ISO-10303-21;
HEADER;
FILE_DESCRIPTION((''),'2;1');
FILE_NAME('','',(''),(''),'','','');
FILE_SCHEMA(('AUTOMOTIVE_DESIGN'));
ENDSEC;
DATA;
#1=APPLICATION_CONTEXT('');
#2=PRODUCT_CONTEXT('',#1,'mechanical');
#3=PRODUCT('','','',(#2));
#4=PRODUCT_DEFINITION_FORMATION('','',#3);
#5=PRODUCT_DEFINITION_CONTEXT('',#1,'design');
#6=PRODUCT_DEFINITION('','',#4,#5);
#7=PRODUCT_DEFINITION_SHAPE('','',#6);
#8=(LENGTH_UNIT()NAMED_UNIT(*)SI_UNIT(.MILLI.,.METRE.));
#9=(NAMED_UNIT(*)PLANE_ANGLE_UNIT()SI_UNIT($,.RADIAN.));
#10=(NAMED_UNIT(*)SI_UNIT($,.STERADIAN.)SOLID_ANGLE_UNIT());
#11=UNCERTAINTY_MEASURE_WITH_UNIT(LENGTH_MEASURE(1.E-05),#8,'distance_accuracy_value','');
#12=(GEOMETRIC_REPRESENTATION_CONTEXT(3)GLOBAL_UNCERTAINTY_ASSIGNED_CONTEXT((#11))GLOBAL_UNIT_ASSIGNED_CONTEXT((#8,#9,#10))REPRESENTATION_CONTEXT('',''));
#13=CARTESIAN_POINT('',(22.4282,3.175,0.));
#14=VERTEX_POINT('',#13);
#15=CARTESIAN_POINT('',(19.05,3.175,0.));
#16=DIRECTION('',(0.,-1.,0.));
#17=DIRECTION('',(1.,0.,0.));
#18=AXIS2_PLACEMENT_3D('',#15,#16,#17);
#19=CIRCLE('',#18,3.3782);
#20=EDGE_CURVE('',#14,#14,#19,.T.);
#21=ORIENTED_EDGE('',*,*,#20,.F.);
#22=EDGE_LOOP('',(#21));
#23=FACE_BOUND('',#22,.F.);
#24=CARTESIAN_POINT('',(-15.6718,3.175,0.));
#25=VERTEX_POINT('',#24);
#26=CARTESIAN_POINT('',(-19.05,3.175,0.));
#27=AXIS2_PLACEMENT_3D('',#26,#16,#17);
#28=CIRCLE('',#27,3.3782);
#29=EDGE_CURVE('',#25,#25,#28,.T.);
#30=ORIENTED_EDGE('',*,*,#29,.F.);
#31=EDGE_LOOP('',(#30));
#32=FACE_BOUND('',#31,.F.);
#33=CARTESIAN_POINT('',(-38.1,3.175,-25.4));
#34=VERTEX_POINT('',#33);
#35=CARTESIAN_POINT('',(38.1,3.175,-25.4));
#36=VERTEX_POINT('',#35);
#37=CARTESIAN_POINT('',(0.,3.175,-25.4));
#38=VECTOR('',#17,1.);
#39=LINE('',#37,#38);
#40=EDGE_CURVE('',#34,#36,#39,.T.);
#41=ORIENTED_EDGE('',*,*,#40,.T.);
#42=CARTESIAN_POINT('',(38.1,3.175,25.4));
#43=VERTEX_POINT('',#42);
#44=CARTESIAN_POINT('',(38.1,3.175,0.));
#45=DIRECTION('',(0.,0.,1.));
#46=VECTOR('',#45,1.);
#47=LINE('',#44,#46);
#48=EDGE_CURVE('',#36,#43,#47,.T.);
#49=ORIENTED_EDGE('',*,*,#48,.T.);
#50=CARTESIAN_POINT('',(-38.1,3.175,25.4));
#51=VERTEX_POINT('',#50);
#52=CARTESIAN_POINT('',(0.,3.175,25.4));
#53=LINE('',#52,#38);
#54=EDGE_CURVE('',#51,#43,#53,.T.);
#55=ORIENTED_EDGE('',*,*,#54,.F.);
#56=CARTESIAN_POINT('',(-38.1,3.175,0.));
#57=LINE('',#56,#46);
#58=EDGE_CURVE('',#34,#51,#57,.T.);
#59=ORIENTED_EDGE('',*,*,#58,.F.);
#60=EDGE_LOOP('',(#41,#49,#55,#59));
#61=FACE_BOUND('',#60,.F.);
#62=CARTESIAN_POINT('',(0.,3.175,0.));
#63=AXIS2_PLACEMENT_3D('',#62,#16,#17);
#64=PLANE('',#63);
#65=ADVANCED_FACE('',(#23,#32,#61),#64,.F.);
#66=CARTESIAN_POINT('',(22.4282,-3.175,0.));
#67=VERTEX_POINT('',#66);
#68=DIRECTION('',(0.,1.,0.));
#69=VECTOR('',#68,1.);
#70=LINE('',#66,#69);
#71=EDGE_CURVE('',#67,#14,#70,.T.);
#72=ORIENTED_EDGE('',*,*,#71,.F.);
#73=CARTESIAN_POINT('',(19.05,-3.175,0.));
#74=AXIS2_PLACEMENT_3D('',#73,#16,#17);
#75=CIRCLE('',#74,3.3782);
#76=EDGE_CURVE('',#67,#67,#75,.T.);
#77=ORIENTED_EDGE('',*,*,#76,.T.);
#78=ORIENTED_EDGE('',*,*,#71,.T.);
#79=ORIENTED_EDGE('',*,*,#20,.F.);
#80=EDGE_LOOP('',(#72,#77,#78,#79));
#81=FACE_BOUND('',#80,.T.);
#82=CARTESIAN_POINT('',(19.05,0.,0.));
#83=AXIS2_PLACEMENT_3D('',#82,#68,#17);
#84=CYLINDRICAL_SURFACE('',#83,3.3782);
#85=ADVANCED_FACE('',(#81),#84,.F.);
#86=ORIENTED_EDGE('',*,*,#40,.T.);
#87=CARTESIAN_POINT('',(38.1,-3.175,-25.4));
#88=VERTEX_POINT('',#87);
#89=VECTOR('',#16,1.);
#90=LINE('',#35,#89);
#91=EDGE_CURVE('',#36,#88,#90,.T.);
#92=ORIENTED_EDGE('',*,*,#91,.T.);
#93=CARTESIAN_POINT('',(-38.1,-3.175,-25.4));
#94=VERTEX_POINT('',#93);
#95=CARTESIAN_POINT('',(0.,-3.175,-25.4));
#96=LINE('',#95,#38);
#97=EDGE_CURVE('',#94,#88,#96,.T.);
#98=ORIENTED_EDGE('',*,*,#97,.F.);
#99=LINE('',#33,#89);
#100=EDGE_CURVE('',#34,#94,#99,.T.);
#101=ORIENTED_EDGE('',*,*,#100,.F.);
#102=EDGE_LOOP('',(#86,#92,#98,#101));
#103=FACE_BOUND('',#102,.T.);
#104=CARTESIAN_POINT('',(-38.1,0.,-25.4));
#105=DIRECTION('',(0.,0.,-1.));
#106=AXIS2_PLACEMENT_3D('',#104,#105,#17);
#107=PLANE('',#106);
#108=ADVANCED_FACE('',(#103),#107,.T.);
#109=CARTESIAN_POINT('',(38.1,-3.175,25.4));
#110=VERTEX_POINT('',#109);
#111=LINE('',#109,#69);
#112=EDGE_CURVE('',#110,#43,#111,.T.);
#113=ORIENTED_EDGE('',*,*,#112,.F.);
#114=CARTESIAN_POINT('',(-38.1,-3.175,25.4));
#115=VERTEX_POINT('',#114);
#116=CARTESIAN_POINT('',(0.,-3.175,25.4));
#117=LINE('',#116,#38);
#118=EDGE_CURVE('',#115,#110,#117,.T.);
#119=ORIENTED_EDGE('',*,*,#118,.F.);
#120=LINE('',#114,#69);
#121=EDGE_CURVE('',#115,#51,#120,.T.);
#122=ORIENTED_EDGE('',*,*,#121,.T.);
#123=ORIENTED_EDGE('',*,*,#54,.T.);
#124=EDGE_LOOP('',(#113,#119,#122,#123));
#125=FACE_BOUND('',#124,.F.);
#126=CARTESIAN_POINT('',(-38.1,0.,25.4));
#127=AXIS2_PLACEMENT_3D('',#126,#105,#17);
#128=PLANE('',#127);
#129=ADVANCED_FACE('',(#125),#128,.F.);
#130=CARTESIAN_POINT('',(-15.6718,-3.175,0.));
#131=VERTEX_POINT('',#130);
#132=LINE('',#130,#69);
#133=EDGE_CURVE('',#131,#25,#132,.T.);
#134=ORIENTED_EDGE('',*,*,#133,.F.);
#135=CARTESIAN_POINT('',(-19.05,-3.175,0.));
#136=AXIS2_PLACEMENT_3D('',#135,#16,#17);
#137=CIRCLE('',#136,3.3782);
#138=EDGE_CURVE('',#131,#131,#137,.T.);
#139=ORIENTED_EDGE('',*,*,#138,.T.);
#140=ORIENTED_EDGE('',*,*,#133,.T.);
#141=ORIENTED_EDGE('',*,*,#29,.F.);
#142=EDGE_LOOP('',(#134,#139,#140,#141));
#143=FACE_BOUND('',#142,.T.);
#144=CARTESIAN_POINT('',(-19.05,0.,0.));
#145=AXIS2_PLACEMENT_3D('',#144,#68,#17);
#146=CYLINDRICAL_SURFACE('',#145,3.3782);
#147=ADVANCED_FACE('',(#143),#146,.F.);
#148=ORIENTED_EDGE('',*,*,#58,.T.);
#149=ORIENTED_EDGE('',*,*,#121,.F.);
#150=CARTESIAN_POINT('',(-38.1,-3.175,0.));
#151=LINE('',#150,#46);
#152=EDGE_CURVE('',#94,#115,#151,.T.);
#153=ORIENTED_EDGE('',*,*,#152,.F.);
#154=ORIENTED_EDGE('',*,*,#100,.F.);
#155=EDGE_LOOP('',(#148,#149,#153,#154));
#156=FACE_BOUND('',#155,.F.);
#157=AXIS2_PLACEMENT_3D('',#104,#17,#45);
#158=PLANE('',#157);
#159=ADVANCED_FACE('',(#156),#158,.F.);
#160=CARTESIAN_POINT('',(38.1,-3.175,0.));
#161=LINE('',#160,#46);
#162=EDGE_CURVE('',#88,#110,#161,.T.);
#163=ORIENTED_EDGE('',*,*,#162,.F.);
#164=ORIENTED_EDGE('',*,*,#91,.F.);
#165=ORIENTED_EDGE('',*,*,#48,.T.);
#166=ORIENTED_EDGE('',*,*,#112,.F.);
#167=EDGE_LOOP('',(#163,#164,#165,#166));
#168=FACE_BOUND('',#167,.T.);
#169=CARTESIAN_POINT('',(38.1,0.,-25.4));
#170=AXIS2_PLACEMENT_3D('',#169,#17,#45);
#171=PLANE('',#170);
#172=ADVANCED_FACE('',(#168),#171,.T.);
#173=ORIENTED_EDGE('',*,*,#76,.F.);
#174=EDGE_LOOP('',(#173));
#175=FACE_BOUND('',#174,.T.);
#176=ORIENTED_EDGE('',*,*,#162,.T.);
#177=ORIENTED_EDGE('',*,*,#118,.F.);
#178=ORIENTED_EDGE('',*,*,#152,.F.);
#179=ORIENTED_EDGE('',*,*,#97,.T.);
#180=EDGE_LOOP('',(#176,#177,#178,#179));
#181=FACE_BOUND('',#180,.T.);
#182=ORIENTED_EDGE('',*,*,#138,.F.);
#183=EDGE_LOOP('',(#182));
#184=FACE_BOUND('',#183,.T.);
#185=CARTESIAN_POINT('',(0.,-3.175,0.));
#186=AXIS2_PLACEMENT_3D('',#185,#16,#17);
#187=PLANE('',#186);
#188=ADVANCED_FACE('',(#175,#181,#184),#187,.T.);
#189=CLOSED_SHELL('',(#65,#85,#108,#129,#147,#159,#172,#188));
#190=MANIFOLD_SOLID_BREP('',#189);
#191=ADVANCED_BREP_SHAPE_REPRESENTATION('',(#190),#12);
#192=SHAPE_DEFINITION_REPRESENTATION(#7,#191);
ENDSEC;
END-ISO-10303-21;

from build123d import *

# Parameters (mm, degrees)
F0_W     = 76.2
F0_H     = 50.8
F0_R     = 3.3782
F1_DEPTH = 3.175


with BuildPart() as f1:
    # F0 (on Front) → F1 (new body, symmetric)
    with BuildSketch(Plane.XZ):
        Rectangle(F0_W, F0_H)
        with Locations((-19.05, 0)):
            Circle(F0_R, mode=Mode.SUBTRACT)
        with Locations((19.05, 0)):
            Circle(F0_R, mode=Mode.SUBTRACT)
    extrude(amount=F1_DEPTH, both=True)


solid = f1.part
